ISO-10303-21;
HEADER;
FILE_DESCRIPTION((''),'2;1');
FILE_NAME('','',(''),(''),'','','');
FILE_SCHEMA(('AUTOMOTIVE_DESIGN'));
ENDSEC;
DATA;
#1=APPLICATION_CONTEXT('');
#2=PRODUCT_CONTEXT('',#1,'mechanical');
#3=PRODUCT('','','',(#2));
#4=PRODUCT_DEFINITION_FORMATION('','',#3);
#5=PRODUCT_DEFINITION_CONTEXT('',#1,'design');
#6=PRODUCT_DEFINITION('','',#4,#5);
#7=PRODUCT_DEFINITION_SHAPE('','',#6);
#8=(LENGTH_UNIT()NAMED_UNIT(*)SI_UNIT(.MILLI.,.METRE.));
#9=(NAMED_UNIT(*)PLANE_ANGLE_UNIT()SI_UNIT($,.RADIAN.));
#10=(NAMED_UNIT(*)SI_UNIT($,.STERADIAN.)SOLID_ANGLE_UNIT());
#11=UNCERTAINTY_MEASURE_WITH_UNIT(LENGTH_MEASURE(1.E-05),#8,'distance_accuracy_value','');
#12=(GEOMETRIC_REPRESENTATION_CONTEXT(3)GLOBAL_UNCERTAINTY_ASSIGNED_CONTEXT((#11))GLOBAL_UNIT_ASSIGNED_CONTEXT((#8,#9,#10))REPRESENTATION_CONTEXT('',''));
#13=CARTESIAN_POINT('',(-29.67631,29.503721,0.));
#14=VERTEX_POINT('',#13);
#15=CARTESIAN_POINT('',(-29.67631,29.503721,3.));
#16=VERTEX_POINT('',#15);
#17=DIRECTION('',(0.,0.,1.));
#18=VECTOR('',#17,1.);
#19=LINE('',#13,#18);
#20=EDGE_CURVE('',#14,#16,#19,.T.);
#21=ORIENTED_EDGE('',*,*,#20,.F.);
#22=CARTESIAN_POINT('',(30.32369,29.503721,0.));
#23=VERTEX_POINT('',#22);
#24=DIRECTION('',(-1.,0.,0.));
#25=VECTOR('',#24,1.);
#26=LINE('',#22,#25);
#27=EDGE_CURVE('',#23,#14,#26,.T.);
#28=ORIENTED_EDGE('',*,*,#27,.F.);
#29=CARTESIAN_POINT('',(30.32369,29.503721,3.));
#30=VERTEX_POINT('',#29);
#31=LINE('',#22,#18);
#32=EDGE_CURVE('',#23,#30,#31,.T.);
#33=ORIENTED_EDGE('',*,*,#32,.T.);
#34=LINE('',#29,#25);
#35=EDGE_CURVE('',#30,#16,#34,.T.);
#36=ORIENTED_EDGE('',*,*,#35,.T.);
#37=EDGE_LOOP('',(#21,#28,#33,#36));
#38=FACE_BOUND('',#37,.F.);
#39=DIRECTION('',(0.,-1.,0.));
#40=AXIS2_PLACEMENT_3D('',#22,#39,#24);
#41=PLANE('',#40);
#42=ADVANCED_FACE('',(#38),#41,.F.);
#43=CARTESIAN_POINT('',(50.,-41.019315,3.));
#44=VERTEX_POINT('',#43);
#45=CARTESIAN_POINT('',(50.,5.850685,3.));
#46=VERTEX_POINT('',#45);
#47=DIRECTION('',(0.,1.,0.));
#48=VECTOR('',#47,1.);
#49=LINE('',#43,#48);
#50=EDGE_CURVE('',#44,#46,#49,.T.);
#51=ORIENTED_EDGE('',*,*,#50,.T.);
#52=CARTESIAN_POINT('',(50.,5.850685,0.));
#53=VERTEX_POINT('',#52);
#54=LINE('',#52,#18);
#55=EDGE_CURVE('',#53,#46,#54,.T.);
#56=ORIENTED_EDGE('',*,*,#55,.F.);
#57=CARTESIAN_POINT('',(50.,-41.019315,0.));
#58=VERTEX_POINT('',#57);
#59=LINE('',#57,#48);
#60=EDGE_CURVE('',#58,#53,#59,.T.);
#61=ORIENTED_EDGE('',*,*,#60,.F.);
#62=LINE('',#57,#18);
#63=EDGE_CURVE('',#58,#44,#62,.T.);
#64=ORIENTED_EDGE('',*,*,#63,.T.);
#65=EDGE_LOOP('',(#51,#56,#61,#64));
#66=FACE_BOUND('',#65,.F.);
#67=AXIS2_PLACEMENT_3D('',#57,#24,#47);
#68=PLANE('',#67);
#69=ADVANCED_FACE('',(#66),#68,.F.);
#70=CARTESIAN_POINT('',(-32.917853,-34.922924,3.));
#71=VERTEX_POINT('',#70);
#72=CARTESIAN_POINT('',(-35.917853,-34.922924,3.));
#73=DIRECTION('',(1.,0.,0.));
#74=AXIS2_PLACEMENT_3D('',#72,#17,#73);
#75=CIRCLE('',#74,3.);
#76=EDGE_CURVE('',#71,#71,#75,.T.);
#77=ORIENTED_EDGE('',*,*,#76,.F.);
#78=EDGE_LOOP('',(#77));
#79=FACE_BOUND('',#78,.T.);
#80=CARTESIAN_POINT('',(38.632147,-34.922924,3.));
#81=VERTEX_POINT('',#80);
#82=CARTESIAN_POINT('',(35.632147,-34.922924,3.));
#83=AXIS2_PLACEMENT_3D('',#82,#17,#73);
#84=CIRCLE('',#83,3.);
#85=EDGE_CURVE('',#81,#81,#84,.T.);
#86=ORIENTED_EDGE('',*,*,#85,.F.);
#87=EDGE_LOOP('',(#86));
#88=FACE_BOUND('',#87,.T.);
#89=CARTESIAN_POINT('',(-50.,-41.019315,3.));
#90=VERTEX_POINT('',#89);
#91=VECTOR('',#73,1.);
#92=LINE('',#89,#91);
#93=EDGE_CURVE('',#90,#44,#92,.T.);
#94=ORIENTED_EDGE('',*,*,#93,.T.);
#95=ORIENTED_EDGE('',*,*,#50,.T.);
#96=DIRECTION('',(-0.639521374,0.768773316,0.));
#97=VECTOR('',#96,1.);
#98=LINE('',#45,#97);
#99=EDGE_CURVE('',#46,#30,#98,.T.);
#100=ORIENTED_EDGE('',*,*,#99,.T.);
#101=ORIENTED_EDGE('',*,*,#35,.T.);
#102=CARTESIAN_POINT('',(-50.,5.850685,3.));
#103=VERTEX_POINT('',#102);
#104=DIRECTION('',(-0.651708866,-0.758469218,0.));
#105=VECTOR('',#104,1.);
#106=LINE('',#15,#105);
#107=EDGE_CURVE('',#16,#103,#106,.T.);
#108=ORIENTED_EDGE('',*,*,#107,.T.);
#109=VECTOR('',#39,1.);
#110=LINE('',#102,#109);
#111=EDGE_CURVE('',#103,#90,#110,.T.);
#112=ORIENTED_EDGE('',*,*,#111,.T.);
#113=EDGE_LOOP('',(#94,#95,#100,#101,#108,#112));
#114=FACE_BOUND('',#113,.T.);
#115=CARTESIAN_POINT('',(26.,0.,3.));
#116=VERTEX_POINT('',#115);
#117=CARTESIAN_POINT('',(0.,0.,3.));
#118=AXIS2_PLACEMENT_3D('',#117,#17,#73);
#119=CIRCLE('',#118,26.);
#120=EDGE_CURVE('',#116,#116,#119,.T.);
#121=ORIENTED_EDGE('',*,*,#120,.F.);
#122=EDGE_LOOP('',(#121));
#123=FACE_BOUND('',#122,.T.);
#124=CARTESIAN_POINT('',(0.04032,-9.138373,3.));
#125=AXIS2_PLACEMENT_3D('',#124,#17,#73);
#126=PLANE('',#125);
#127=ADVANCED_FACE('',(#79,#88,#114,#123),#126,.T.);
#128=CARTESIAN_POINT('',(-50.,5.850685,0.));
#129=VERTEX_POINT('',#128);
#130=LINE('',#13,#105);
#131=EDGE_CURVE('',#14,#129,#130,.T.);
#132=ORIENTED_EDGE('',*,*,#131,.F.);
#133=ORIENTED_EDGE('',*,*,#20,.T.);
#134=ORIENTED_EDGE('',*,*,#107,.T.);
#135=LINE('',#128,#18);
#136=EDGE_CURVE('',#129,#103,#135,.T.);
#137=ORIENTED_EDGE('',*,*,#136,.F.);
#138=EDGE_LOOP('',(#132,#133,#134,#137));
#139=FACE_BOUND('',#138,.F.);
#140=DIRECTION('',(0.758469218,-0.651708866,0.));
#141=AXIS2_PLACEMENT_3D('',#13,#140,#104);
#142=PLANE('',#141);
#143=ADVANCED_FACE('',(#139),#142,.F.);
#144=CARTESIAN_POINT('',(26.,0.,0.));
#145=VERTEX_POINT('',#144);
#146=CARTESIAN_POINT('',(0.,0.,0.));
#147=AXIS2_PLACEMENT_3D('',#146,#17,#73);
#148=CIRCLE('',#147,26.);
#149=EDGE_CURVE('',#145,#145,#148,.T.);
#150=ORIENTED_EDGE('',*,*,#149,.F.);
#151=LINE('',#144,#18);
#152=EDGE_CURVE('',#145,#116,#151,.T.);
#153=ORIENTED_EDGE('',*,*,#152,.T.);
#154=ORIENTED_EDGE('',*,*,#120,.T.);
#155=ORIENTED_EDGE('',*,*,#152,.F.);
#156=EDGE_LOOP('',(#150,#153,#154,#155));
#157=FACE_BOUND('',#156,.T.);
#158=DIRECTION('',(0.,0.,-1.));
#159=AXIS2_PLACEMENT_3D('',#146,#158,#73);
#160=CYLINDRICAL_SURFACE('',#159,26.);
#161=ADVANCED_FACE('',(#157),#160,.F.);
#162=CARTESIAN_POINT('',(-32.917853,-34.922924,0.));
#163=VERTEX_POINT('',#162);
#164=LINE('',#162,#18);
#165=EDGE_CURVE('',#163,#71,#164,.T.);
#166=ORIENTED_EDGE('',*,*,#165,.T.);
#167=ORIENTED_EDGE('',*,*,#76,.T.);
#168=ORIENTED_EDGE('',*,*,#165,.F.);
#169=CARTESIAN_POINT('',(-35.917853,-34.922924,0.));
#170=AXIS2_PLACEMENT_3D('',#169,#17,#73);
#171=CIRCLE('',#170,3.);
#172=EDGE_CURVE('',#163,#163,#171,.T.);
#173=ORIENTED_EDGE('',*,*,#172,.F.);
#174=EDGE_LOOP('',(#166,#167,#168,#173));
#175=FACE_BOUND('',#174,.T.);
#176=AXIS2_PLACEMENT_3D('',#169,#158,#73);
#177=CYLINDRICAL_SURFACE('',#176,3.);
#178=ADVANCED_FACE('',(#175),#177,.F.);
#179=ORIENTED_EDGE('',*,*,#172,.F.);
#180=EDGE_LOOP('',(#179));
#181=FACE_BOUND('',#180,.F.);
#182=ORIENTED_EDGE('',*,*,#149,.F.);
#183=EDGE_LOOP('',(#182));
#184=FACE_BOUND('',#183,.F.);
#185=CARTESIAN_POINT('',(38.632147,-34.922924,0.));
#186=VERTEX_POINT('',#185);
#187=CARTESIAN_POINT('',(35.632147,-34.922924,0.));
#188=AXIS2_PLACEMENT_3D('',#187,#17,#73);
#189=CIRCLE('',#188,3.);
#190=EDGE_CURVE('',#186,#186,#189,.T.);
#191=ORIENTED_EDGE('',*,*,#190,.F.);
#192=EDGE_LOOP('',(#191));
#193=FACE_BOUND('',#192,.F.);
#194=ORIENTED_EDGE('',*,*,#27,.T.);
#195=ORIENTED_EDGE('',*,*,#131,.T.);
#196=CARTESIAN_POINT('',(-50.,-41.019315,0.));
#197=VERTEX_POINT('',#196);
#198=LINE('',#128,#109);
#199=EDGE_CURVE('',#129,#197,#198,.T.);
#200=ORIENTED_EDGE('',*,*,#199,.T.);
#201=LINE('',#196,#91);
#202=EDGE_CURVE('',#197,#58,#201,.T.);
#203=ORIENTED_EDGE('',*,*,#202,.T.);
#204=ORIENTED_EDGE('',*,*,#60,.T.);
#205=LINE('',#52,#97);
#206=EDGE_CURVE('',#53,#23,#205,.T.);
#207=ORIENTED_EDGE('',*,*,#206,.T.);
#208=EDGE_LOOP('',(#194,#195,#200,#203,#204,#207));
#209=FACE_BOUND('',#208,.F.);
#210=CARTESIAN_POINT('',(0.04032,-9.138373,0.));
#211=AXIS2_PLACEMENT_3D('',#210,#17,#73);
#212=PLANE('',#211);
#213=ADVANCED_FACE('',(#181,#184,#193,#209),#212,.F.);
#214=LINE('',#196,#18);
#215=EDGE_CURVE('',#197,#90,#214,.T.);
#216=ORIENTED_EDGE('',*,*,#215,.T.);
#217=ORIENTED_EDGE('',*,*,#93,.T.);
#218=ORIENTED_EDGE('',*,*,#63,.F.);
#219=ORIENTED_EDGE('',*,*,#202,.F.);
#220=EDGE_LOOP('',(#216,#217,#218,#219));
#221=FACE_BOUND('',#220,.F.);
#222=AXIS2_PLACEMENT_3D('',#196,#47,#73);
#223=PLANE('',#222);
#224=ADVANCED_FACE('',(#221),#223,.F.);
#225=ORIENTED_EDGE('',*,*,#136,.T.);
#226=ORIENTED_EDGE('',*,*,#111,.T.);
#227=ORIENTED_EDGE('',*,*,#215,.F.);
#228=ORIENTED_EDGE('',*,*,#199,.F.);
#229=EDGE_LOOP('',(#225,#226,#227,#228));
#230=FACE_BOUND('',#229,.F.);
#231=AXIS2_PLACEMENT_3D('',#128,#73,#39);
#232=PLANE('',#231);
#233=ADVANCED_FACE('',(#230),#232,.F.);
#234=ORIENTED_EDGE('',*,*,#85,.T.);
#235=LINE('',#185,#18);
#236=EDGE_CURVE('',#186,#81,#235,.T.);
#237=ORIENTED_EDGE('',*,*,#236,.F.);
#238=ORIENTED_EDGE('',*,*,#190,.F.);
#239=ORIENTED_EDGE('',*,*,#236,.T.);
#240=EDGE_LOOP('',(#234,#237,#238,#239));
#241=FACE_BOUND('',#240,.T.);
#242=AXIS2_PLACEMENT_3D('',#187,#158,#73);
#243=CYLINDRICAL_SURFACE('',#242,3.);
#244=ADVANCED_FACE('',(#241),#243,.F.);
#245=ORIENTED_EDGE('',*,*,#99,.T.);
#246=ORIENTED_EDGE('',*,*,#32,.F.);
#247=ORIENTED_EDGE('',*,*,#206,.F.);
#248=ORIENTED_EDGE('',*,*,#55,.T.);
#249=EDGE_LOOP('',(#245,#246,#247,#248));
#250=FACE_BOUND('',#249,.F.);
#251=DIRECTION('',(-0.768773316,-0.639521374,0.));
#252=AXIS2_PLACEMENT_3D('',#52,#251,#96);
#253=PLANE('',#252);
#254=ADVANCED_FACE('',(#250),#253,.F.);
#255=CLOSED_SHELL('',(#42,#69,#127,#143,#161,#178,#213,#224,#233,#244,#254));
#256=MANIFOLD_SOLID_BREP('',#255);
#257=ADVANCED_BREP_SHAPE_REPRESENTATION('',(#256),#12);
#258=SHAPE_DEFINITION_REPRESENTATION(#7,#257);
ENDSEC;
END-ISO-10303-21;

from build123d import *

# Parameters (mm, degrees)
SKETCH_R   = 3
SKETCH_R_2 = 26
PAD_DEPTH  = 3


with BuildPart() as part:
    # Sketch → Pad (new body)
    with BuildSketch(Plane.XY):
        Polygon((-50, -41.019315), (50, -41.019315), (50, 5.850685), (30.32369, 29.503721), (-29.67631, 29.503721), (-50, 5.850685), align=None)
        with Locations((-35.917853, -34.922924)):
            Circle(SKETCH_R, mode=Mode.SUBTRACT)
        with Locations((35.632147, -34.922924)):
            Circle(SKETCH_R, mode=Mode.SUBTRACT)
        Circle(SKETCH_R_2, mode=Mode.SUBTRACT)
    extrude(amount=PAD_DEPTH)


solid = part.part
